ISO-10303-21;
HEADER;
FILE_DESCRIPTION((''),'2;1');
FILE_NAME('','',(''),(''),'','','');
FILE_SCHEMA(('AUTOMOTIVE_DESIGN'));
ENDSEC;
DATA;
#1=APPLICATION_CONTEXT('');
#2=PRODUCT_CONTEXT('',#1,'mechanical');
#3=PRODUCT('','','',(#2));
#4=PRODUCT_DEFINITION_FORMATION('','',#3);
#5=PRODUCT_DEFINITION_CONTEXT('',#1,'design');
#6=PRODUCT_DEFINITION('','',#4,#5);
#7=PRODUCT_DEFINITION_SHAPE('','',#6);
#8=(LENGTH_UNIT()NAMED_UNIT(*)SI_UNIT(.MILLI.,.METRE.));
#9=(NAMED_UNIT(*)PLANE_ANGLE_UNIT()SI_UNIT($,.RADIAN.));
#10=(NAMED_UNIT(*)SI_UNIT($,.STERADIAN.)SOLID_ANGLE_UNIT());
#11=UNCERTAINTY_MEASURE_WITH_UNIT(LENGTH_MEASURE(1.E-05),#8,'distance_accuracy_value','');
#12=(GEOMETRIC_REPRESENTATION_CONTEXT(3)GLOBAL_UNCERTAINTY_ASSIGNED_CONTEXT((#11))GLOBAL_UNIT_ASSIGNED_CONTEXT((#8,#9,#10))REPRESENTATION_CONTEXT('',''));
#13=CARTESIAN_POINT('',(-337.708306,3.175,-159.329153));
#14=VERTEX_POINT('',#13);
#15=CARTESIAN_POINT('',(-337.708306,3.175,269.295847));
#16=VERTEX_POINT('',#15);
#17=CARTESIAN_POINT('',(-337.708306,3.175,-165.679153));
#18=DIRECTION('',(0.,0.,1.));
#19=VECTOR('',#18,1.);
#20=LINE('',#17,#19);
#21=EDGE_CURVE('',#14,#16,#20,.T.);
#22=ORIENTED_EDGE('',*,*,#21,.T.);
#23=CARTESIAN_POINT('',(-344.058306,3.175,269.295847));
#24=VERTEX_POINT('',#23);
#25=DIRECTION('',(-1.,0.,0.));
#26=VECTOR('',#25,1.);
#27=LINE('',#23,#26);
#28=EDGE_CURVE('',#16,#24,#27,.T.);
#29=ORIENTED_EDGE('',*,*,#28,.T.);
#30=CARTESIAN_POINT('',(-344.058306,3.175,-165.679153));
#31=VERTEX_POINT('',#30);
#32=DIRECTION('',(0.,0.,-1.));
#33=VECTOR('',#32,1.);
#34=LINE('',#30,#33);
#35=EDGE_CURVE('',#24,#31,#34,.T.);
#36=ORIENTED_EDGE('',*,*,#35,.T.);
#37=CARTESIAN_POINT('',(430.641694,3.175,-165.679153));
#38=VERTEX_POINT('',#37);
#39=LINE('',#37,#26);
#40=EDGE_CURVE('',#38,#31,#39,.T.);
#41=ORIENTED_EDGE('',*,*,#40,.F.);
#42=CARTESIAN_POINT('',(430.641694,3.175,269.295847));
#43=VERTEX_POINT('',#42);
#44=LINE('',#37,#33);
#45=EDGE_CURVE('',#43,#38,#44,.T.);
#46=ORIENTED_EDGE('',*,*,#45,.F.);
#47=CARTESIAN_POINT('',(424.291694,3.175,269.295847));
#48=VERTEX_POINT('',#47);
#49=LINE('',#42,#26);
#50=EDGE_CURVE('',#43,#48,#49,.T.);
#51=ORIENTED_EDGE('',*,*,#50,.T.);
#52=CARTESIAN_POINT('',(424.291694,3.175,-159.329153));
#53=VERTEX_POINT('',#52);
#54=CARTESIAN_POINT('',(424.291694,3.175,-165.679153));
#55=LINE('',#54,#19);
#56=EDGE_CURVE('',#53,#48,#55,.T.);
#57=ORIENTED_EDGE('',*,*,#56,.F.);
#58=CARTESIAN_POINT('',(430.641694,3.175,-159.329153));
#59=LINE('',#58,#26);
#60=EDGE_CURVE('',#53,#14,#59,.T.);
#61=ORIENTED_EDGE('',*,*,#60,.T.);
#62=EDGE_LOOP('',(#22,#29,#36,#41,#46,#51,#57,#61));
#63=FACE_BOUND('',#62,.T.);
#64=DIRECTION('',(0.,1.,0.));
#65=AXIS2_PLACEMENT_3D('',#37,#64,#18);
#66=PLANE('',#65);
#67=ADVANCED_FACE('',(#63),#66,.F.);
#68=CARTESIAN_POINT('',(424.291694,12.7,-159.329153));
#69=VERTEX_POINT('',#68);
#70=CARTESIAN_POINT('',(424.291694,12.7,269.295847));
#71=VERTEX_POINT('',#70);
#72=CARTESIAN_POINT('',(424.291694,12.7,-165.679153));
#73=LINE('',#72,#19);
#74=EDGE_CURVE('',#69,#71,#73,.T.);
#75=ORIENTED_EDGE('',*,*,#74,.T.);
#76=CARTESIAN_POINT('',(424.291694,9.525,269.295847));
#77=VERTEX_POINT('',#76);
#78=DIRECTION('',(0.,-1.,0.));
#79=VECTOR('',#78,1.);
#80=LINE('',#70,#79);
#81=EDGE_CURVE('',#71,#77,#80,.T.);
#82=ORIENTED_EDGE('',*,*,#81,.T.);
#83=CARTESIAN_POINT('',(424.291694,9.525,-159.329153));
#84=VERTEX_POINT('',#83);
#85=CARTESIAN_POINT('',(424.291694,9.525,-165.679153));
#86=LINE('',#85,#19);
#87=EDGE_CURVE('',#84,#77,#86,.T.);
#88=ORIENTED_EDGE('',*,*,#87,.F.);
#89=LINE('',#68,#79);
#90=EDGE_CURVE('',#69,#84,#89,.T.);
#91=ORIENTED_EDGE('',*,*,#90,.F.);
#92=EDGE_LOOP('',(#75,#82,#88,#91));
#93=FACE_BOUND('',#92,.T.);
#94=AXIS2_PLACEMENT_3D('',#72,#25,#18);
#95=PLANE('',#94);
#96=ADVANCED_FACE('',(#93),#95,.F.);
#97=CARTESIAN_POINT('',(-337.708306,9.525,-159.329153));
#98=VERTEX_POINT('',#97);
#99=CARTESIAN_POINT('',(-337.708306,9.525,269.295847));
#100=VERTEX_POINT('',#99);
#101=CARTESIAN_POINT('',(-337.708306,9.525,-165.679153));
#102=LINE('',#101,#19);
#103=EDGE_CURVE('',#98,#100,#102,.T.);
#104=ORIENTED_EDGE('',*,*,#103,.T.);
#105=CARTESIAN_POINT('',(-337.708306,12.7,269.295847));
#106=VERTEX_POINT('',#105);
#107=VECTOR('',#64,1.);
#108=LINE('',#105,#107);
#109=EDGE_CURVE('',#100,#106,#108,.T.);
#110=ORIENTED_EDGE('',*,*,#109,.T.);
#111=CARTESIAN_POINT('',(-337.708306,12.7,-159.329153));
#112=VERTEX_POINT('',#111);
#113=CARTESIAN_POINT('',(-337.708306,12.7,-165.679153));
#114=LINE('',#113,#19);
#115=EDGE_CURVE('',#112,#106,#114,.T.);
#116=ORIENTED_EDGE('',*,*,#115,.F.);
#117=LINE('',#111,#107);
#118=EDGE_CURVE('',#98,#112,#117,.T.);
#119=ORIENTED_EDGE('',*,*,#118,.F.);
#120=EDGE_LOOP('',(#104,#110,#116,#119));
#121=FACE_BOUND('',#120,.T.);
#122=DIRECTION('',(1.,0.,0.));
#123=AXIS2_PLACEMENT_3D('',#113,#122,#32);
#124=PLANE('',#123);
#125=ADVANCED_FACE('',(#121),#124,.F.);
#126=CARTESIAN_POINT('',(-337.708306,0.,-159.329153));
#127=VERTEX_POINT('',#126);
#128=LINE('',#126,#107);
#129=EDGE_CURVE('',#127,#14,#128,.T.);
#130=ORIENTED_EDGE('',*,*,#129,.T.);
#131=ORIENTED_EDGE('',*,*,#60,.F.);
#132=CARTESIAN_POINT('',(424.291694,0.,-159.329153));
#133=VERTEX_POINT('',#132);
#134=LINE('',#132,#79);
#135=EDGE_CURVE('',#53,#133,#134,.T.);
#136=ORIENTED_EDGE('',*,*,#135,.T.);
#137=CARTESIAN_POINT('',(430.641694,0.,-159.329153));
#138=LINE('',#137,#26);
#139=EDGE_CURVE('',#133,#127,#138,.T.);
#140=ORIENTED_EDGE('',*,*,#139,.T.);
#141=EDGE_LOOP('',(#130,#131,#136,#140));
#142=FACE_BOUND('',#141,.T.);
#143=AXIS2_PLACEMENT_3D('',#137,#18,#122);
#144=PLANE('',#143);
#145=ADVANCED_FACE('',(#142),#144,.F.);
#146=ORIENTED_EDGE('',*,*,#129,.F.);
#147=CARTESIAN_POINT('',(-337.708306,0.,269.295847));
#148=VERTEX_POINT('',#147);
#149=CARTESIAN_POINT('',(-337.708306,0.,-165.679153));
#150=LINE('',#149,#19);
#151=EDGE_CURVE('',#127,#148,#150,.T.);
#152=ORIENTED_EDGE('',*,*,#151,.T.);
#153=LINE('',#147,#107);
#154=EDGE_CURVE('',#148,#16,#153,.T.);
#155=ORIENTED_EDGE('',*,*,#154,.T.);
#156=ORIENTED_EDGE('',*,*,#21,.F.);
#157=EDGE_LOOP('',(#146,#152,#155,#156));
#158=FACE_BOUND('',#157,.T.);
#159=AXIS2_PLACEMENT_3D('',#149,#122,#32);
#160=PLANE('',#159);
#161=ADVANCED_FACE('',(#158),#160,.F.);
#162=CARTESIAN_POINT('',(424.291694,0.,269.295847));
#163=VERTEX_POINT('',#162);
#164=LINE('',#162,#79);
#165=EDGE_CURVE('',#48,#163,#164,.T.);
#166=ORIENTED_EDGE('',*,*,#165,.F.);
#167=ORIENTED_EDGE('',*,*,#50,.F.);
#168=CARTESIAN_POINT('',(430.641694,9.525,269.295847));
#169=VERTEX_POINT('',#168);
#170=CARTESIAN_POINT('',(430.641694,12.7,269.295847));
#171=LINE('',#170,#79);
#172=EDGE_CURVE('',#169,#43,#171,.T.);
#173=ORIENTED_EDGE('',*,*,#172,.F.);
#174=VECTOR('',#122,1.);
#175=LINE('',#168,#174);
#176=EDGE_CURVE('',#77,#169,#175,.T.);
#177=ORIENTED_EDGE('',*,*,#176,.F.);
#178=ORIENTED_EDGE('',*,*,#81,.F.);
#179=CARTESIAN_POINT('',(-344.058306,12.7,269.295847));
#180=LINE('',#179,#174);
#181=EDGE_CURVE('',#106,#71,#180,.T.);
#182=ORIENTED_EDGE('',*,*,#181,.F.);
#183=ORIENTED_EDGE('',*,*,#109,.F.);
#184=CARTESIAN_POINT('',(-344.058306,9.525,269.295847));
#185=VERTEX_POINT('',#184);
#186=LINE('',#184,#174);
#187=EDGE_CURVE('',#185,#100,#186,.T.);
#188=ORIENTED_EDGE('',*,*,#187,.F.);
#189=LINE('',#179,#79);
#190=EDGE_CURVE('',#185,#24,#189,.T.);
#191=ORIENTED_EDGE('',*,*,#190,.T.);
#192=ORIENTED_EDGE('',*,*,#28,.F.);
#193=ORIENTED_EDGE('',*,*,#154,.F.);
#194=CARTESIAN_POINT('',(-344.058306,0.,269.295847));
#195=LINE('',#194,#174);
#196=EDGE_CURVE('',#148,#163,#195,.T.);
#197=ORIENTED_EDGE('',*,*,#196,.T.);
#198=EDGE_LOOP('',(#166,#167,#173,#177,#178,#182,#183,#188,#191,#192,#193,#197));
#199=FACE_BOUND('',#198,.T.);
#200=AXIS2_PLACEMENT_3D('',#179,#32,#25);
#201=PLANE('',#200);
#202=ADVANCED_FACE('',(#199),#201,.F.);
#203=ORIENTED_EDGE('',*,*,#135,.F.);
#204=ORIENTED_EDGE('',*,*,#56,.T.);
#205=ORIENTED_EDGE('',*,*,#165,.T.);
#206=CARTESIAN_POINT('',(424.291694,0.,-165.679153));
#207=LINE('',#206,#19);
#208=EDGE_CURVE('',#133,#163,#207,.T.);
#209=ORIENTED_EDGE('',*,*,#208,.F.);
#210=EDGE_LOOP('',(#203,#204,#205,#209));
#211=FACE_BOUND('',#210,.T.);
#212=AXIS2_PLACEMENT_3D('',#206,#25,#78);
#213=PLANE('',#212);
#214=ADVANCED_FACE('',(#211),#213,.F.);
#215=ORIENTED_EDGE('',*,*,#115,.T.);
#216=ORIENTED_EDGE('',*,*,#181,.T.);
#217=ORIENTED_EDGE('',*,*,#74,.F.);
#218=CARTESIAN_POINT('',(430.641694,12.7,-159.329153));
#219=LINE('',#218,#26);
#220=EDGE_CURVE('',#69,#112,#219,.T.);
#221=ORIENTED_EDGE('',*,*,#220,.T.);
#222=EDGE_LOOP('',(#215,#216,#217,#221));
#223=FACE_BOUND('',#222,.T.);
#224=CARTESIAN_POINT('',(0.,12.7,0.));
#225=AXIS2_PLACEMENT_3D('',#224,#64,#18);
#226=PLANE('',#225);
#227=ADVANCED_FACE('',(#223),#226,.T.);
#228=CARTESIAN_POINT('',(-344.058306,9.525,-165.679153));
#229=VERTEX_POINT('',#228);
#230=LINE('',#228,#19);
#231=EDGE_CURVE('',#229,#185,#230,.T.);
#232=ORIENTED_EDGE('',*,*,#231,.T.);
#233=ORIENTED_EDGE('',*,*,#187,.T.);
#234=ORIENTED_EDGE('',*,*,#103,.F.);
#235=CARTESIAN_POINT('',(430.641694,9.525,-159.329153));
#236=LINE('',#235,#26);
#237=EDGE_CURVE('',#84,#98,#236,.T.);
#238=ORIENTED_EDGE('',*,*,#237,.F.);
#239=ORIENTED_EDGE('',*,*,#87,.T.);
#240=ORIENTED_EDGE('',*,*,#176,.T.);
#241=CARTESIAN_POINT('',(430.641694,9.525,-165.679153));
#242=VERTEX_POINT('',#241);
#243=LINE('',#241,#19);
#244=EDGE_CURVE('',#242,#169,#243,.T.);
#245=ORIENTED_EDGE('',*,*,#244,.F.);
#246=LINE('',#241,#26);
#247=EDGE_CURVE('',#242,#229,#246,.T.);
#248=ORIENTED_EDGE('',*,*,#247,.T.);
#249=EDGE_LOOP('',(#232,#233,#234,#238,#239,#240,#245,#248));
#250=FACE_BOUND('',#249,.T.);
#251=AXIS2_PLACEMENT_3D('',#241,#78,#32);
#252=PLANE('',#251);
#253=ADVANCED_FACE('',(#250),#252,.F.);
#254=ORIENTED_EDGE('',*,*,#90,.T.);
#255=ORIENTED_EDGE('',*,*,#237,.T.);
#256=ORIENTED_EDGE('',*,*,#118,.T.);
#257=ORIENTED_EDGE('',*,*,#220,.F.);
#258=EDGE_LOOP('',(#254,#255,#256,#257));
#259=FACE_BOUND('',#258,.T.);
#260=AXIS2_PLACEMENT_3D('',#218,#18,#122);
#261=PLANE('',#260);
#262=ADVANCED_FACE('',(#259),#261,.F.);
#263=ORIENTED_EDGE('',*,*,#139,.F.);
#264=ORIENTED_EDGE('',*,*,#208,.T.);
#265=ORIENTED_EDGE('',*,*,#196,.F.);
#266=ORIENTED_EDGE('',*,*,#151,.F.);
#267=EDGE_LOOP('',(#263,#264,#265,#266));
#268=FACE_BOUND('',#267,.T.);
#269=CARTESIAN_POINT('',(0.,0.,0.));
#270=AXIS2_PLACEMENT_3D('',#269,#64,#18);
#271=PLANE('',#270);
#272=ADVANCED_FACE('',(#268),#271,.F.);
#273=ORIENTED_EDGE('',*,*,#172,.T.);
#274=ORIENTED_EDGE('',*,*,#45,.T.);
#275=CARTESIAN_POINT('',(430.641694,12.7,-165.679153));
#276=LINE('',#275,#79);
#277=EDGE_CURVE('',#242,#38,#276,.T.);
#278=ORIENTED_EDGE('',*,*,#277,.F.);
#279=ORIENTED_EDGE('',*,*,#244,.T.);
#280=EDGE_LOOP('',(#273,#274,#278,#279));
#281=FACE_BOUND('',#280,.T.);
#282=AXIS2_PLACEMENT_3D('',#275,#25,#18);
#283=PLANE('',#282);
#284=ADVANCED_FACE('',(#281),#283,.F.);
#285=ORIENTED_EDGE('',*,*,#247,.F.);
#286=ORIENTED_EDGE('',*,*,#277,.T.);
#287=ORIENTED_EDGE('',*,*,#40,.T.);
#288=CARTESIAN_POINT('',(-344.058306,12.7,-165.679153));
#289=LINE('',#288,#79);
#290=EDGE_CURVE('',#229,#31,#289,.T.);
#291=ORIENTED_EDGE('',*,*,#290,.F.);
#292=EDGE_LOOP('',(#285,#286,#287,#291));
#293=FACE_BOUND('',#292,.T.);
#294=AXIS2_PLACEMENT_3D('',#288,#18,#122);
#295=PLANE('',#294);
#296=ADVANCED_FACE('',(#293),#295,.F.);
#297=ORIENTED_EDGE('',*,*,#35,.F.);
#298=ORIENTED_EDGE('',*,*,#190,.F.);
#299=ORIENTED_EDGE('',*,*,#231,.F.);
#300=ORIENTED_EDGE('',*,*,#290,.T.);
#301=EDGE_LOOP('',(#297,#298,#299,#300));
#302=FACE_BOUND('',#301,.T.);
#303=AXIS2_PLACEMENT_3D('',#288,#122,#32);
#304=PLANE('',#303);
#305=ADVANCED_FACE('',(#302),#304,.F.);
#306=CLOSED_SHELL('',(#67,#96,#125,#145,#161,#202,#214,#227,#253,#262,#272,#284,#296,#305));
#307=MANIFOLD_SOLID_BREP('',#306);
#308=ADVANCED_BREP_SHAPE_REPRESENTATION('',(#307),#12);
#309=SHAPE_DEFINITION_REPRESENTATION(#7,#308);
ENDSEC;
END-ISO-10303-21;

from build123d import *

# Parameters (mm, degrees)
SKETCH1_W           = 774.7
SKETCH1_H           = 434.975
BOSS_EXTRUDE1_DEPTH = 12.7
SKETCH2_W           = 6.35
SKETCH2_H           = 3.175
CUT_EXTRUDE1_DEPTH  = 775.7
SKETCH3_W           = 6.35
SKETCH3_H           = 3.175
CUT_EXTRUDE2_DEPTH  = 435.975


with BuildPart() as part:
    # Sketch1 → Boss-Extrude1 (new body)
    with BuildSketch(Plane(origin=(0, 0, 0), x_dir=(1, 0, 0), z_dir=(0, 1, 0))):
        with Locations((43.291693811, -51.808346906)):
            Rectangle(SKETCH1_W, SKETCH1_H)
    extrude(amount=BOSS_EXTRUDE1_DEPTH)

    # Sketch2 → Cut-Extrude1 (cut, through all)
    with BuildSketch(Plane.ZY.offset(344.058306189)):
        with Locations((-162.504153094, 11.1125)):
            Rectangle(SKETCH2_W, SKETCH2_H)
        with Locations((-162.504153094, 1.5875)):
            Rectangle(SKETCH2_W, SKETCH2_H)
    extrude(amount=-CUT_EXTRUDE1_DEPTH, mode=Mode.SUBTRACT)

    # Sketch3 → Cut-Extrude2 (cut, through all)
    with BuildSketch(Plane.XY.offset(269.295846906)):
        with Locations((-340.883306189, 11.1125)):
            Rectangle(SKETCH3_W, SKETCH3_H)
        with Locations((-340.883306189, 1.5875)):
            Rectangle(SKETCH3_W, SKETCH3_H)
        with Locations((427.466693811, 1.5875)):
            Rectangle(SKETCH3_W, SKETCH3_H)
        with Locations((427.466693811, 11.1125)):
            Rectangle(SKETCH3_W, SKETCH3_H)
    extrude(amount=-CUT_EXTRUDE2_DEPTH, mode=Mode.SUBTRACT)


solid = part.part
